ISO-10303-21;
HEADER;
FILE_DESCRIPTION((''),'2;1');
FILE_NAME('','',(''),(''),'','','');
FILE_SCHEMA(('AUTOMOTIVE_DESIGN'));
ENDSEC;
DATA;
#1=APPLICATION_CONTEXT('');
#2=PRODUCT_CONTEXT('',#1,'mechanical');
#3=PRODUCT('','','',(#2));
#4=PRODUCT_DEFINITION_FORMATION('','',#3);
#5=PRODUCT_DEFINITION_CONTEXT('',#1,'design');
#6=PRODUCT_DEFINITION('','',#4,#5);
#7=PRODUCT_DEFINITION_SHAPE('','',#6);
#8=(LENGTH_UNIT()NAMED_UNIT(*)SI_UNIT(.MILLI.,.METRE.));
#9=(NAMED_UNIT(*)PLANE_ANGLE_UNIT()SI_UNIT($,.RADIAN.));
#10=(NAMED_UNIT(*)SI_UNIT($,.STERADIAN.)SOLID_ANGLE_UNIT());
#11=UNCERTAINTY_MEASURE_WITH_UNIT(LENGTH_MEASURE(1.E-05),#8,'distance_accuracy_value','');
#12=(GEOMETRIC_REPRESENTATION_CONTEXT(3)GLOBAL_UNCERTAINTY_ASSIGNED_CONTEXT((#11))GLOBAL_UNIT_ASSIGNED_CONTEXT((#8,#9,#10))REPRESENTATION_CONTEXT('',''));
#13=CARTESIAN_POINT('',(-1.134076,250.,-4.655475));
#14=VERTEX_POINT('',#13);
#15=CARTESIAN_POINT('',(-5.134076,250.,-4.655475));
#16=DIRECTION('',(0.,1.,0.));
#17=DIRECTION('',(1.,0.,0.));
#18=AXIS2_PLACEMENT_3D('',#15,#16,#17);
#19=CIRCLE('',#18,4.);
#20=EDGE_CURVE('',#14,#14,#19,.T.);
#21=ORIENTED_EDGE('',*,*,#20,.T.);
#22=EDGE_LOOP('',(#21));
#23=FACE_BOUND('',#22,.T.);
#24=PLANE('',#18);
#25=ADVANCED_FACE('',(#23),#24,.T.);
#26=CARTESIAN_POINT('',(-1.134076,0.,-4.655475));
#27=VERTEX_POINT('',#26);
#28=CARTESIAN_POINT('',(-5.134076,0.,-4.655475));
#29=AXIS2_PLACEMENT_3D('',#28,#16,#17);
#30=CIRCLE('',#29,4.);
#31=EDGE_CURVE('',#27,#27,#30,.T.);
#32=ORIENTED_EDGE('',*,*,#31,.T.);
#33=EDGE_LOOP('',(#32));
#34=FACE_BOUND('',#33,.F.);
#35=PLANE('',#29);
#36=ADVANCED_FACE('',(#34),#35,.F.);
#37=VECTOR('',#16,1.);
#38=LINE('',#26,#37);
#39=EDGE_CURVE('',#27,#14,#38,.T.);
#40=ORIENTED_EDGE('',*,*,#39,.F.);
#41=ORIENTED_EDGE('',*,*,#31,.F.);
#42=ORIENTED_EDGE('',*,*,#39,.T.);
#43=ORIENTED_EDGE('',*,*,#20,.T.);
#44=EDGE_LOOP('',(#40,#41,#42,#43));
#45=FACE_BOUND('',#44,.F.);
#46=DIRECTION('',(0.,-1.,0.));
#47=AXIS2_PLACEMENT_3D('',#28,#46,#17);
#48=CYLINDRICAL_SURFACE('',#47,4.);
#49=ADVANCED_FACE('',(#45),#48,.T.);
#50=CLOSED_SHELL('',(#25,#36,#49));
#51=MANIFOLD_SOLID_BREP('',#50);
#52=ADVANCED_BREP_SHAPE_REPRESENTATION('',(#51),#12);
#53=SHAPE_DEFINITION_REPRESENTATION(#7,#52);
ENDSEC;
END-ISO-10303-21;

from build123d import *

# Parameters (mm, degrees)
SKETCH1_R           = 4
BOSS_EXTRUDE1_DEPTH = 250


with BuildPart() as part:
    # Sketch1 → Boss-Extrude1 (new body)
    with BuildSketch(Plane(origin=(0, 0, 0), x_dir=(1, 0, 0), z_dir=(0, 1, 0))):
        with Locations((-5.134075541, 4.655475279)):
            Circle(SKETCH1_R)
    extrude(amount=BOSS_EXTRUDE1_DEPTH)


solid = part.part
